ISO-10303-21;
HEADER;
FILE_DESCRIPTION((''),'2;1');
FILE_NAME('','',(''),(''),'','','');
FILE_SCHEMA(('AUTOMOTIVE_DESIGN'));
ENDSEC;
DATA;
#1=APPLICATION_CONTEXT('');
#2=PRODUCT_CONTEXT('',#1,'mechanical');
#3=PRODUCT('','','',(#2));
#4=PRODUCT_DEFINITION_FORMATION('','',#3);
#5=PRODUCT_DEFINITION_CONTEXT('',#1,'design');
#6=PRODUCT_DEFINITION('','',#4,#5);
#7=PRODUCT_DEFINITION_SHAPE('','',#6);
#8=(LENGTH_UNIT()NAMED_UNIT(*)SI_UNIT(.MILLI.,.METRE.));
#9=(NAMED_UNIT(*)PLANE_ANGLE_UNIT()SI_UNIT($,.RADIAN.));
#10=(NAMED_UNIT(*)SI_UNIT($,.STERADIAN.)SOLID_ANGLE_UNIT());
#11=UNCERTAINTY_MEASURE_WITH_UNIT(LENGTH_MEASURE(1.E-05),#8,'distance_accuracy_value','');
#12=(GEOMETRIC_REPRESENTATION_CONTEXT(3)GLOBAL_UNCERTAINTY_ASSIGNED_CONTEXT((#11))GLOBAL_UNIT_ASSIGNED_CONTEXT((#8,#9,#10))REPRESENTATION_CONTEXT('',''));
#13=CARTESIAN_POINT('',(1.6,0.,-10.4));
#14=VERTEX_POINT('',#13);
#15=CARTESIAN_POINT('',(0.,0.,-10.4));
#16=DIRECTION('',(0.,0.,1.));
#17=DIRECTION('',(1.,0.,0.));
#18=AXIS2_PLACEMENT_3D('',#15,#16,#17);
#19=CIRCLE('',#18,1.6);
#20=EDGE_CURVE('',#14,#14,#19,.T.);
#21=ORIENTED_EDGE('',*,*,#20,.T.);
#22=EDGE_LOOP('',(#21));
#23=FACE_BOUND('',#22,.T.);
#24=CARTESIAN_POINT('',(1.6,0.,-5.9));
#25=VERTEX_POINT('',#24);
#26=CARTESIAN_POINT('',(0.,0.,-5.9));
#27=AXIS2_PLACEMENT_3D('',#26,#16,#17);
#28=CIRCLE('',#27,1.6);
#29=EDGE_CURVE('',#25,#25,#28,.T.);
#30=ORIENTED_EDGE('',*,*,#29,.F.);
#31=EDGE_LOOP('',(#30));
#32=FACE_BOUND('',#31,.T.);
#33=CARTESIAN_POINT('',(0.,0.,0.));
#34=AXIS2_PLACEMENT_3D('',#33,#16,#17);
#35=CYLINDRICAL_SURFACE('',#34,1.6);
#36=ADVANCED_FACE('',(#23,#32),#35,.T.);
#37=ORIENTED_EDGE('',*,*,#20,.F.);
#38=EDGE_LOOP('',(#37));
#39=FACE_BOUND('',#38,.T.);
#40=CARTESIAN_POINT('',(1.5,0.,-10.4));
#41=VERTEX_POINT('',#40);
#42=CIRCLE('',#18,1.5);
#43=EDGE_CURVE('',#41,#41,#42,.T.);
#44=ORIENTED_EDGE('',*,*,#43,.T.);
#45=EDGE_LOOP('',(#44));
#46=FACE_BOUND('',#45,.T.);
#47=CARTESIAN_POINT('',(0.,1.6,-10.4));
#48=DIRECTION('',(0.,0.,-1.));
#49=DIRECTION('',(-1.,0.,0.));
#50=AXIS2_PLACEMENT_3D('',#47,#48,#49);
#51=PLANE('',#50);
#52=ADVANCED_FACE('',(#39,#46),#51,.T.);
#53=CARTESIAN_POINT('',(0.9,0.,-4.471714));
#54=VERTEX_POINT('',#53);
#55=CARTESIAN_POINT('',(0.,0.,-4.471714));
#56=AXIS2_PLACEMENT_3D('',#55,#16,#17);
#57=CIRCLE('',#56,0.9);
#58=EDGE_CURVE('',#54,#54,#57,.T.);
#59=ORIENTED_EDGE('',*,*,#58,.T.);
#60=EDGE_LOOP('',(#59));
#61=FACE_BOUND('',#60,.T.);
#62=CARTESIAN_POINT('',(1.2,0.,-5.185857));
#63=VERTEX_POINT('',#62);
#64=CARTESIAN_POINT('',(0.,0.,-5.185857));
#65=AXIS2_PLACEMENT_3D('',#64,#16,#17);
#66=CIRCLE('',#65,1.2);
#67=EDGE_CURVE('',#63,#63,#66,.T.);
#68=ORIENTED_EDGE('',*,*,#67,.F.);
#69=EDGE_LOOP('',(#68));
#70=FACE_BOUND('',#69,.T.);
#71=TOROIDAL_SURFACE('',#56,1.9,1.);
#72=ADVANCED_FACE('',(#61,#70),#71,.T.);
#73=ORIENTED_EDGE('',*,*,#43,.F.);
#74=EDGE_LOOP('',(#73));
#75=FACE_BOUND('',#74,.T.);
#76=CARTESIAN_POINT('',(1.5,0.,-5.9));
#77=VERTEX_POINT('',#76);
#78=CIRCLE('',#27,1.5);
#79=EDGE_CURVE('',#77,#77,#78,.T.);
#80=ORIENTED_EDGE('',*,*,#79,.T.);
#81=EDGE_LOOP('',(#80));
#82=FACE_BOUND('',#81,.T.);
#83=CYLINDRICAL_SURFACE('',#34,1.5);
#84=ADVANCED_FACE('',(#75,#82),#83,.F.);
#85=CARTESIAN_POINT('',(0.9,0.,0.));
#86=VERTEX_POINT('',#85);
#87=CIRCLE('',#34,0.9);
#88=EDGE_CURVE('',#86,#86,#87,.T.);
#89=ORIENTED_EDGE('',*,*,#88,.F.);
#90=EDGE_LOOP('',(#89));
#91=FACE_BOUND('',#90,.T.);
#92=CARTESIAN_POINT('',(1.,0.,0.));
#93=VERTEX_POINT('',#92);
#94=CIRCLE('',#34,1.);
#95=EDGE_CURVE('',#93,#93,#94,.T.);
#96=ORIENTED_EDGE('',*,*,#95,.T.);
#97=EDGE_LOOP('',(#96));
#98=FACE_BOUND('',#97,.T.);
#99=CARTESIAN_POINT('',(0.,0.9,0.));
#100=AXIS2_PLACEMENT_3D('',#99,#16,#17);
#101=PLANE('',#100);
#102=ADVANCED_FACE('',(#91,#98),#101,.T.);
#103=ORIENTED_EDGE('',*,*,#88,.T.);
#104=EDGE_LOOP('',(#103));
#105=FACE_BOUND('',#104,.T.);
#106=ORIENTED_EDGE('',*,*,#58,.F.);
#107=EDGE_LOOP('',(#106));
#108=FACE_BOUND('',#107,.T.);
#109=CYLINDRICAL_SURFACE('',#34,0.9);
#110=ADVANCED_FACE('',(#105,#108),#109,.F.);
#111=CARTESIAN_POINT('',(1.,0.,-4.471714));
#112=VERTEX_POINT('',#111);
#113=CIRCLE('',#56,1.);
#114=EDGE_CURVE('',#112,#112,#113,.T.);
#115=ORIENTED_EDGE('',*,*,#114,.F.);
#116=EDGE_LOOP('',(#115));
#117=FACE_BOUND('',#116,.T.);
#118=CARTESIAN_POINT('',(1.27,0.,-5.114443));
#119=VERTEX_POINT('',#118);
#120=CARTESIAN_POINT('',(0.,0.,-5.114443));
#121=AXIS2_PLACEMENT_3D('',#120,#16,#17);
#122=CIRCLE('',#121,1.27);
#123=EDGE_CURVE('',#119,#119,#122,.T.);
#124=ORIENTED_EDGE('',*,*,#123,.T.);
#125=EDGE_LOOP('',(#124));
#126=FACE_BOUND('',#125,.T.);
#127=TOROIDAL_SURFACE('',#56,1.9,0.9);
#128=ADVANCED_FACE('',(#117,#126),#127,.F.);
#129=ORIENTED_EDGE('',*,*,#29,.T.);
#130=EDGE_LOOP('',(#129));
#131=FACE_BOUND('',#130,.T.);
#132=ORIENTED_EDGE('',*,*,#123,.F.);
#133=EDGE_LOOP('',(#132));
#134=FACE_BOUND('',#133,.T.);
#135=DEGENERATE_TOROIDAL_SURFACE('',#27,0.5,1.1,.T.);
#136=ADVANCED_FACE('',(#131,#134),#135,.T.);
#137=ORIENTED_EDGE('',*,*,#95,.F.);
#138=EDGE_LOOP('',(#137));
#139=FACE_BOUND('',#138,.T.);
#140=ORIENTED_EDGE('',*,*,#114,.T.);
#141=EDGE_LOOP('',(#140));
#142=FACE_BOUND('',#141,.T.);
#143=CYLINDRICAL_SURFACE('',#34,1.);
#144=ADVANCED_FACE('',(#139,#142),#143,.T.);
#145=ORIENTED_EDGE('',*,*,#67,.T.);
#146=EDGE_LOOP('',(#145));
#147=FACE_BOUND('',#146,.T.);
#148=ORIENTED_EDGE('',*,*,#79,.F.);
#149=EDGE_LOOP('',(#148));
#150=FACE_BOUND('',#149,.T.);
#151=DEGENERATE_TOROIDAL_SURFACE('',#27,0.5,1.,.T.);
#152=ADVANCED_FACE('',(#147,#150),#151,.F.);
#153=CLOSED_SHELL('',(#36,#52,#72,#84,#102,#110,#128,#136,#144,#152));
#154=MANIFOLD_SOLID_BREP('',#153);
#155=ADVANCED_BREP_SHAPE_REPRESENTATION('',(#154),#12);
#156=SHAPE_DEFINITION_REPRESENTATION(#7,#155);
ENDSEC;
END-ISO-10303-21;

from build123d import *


with BuildPart() as part:
    # Sketch1 → Revolve-Thin1 (revolve)
    with BuildSketch(Plane(origin=(0, 0, 0), x_dir=(0, 0, -1), z_dir=(1, 0, 0)), mode=Mode.PRIVATE) as revolve_thin1_sk:
        with BuildLine():
            Line((0, 0.9), (4.471714314, 0.9))
            ThreePointArc((4.471714314, 0.9), (4.859012649, 0.978045554), (5.185857157, 1.2))
            ThreePointArc((5.185857157, 1.2), (5.512701665, 1.421954446), (5.9, 1.5))
            Line((5.9, 1.5), (10.4, 1.5))
            Line((10.4, 1.5), (10.4, 1.6))
            Line((10.4, 1.6), (5.9, 1.6))
            ThreePointArc((5.9, 1.6), (5.473971832, 1.51414989), (5.114442873, 1.27))
            ThreePointArc((5.114442873, 1.27), (4.820282815, 1.070240999), (4.471714314, 1))
            Line((4.471714314, 1), (0, 1))
            Line((0, 1), (0, 0.9))
        make_face()
    revolve(revolve_thin1_sk.sketch.rotate(Axis((0, 0, 0), (0, 0, -1)), 90), axis=Axis((0, 0, 0), (0, 0, -1)))


solid = part.part
